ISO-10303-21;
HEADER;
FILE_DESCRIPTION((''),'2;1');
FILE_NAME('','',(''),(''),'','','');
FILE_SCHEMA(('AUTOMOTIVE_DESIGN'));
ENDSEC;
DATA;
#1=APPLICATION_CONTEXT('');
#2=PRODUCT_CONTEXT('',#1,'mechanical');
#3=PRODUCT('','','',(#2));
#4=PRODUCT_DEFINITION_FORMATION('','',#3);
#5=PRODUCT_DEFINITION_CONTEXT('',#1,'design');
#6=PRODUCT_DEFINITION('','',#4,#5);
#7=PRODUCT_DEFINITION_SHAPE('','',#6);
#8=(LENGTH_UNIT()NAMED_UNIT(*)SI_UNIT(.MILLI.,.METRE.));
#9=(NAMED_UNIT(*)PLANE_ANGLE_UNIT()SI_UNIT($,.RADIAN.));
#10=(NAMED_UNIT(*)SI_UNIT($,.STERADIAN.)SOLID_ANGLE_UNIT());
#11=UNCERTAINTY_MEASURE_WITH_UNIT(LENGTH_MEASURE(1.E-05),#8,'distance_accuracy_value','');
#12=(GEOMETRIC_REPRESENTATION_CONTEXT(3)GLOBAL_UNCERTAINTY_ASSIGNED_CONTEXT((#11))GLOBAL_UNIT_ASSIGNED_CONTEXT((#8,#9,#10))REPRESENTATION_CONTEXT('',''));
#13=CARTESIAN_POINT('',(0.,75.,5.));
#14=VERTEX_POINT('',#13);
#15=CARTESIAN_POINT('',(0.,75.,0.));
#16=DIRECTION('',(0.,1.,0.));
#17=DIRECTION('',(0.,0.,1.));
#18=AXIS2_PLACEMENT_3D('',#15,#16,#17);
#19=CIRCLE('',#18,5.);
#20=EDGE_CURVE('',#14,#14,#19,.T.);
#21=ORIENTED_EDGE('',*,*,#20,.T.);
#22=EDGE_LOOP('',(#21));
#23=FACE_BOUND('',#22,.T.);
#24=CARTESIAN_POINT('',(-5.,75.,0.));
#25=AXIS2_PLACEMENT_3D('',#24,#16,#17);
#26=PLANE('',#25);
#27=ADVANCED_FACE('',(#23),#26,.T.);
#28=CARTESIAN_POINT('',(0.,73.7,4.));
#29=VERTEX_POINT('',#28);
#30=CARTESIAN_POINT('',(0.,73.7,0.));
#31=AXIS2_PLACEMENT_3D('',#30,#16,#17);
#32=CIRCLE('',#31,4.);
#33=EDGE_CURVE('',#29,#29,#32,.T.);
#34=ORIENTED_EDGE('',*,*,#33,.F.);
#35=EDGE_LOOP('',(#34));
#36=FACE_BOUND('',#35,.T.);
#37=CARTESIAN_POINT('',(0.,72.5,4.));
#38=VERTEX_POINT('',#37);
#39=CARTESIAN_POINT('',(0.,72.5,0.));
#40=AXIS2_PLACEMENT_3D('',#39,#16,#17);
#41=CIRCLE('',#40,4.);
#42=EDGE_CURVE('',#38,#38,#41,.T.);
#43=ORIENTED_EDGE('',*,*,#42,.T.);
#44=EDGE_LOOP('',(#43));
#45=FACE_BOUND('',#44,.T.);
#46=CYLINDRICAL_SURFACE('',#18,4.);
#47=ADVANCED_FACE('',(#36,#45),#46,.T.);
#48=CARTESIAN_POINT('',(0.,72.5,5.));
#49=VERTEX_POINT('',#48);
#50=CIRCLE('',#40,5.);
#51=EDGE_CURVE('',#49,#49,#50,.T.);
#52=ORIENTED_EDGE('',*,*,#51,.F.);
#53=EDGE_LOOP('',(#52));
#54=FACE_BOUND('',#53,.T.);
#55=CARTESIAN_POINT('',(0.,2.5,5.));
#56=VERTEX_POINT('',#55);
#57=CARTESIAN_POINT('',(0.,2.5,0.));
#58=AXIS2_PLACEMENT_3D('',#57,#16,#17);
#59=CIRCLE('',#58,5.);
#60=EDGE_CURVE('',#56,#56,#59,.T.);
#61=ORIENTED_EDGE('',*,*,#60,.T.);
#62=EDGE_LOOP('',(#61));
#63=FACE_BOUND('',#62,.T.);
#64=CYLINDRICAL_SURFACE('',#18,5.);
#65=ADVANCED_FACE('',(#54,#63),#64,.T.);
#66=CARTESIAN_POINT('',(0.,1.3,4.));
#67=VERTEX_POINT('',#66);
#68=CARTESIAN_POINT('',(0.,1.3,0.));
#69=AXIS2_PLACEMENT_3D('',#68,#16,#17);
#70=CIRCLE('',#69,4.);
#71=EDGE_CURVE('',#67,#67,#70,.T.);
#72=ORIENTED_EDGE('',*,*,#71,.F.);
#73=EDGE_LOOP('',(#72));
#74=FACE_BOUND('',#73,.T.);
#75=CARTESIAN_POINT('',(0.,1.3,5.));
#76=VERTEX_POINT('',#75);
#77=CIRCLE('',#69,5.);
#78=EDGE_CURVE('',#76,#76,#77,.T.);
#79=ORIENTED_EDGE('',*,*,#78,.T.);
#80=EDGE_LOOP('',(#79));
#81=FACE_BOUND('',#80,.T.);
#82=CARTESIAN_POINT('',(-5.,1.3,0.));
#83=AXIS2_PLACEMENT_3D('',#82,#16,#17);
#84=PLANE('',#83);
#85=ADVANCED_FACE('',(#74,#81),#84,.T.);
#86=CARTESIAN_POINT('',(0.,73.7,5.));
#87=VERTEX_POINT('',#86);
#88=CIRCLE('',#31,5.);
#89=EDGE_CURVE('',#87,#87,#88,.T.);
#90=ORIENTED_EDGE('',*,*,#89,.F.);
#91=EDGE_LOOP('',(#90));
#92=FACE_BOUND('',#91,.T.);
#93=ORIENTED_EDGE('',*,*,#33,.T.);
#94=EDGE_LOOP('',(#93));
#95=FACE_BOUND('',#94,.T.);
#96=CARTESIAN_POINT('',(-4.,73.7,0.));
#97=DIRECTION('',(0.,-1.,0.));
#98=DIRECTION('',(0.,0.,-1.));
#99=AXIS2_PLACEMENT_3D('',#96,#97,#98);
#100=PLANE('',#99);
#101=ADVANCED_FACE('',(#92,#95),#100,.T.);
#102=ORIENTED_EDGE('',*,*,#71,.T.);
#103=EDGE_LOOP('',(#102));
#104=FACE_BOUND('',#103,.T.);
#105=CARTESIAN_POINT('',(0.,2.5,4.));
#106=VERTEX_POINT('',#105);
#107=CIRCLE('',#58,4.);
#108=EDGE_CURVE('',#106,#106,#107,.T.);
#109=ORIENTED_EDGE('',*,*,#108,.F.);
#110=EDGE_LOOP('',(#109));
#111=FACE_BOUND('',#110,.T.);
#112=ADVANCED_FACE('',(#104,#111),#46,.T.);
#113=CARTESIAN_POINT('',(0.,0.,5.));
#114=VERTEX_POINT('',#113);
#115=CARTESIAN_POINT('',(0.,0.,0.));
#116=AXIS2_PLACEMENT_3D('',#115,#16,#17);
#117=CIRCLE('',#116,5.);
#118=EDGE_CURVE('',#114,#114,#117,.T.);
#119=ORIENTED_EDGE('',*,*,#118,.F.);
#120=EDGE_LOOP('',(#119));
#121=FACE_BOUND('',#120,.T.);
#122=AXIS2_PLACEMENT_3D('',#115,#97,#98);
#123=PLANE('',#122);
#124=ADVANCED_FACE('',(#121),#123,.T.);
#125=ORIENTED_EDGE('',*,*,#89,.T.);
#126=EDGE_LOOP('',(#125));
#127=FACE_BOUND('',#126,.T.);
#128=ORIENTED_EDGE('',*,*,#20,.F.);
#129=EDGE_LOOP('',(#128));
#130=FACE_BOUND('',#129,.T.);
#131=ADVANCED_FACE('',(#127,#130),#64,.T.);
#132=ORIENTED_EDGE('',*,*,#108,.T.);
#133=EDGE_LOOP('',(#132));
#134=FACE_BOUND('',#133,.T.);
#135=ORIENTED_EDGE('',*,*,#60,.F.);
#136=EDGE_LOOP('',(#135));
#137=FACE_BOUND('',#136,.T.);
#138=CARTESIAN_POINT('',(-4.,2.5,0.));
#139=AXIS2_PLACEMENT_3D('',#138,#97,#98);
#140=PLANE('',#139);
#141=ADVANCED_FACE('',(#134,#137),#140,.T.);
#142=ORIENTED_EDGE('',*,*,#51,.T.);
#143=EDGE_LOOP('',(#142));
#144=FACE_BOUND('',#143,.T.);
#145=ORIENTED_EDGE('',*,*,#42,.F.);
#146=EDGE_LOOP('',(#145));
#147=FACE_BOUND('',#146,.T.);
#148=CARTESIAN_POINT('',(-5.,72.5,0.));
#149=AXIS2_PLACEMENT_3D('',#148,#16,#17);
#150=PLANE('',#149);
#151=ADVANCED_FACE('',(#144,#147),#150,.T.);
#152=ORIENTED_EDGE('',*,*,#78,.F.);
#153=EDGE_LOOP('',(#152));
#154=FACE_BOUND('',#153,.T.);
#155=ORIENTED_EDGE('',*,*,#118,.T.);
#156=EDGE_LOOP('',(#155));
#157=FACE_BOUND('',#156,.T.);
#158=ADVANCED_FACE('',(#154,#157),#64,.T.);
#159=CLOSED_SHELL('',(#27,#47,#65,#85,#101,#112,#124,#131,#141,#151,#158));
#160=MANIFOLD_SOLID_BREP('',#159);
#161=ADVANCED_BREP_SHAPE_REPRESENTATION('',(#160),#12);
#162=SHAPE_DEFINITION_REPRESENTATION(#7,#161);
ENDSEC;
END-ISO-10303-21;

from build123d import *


with BuildPart() as part:
    # 草图1 → 旋转1 (revolve)
    with BuildSketch(Plane.XY, mode=Mode.PRIVATE) as revolve_1_sk:
        Polygon((0, 0), (-5, 0), (-5, 1.3), (-4, 1.3), (-4, 2.5), (-5, 2.5), (-5, 72.5), (-4, 72.5), (-4, 73.7), (-5, 73.7), (-5, 75), (0, 75), align=None)
    revolve(revolve_1_sk.sketch.rotate(Axis((0, 75, 0), (0, -1, 0)), 270), axis=Axis((0, 75, 0), (0, -1, 0)))


solid = part.part
